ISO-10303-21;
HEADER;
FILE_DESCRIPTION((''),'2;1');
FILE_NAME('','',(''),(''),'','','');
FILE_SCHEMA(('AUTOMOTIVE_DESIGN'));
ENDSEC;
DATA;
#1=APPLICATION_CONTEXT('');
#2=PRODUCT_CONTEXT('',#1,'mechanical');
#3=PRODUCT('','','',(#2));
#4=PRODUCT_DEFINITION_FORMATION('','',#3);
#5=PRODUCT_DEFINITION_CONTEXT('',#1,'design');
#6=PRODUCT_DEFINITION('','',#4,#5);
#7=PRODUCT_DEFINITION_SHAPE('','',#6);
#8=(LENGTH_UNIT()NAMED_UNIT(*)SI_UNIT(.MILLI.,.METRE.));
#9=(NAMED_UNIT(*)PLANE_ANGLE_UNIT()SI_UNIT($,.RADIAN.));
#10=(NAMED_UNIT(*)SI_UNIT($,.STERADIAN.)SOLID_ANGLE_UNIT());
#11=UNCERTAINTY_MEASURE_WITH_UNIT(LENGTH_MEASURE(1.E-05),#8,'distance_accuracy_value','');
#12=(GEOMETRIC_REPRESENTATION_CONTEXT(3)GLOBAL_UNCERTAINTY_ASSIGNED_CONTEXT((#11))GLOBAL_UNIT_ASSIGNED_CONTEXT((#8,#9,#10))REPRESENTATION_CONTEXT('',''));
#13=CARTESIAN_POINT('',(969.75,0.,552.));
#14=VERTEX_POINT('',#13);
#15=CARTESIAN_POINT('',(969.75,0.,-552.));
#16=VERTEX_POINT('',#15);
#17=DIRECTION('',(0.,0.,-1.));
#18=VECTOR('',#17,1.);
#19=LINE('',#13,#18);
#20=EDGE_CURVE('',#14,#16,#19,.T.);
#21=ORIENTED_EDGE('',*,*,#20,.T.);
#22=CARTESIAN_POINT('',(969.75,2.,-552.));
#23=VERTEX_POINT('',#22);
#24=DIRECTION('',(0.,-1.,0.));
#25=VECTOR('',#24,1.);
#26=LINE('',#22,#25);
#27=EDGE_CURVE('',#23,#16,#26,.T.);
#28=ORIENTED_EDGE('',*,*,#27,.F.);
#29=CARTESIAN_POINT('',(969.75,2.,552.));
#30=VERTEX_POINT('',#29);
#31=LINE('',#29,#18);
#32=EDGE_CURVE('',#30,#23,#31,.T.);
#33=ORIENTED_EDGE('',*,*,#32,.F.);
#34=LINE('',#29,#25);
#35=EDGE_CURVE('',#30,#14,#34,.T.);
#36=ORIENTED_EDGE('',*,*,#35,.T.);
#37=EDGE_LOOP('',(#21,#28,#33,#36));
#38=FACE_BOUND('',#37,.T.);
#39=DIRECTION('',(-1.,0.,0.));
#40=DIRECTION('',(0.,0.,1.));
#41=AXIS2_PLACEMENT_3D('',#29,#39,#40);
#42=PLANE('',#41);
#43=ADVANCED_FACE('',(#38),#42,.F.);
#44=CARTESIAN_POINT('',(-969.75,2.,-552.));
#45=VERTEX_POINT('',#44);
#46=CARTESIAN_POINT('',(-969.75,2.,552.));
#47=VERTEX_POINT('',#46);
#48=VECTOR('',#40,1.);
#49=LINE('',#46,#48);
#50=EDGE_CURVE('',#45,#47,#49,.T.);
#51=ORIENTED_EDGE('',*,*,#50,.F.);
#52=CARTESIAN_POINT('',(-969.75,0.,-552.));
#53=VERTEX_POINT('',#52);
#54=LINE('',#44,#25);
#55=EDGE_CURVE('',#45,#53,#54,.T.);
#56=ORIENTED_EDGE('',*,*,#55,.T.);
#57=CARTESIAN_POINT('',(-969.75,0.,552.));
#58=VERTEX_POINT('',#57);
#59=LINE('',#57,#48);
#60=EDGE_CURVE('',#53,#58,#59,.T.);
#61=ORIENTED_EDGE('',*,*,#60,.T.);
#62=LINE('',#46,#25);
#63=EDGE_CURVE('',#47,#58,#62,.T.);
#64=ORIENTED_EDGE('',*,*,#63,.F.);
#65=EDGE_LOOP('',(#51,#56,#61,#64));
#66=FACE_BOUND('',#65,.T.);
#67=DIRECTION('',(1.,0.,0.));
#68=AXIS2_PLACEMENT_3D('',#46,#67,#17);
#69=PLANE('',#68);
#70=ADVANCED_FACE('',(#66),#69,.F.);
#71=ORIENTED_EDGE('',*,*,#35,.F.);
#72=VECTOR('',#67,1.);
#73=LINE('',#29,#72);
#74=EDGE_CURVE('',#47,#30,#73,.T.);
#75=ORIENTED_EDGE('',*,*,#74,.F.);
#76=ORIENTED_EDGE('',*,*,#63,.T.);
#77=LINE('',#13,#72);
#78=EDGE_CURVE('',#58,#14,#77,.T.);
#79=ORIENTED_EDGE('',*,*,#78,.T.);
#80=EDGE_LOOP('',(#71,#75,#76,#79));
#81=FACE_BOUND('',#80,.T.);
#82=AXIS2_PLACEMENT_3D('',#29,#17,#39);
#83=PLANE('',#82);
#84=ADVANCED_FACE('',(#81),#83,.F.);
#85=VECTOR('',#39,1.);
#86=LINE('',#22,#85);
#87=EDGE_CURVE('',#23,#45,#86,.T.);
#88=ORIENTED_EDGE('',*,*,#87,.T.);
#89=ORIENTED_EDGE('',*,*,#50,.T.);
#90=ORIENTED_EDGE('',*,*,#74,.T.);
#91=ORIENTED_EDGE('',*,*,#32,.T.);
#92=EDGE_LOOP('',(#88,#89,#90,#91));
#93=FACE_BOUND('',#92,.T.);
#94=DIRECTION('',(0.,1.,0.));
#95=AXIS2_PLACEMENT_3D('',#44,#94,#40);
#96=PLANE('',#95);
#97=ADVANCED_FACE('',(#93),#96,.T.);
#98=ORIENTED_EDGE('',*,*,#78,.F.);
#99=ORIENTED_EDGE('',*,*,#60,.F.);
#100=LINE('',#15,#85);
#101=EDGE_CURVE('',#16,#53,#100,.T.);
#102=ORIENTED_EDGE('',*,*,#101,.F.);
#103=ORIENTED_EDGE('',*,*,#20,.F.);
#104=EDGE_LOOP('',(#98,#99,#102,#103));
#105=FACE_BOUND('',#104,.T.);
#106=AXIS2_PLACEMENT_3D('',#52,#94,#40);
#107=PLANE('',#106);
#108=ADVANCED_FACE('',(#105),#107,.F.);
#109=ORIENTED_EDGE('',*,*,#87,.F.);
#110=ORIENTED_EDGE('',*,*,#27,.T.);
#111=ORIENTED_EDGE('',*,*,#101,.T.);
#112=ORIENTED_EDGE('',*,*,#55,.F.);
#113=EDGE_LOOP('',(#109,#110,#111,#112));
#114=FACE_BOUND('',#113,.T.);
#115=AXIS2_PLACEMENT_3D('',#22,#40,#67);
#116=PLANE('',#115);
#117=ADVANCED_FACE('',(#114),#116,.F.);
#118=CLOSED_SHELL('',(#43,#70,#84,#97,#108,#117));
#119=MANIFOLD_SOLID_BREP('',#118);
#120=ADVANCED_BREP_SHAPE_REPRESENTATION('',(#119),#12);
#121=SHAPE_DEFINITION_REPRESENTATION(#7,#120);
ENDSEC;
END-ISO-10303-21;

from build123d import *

# Parameters (mm, degrees)
CROQUIS1_W     = 1939.5
CROQUIS1_H     = 1104
EXTRUIR1_DEPTH = 2


with BuildPart() as part:
    # Croquis1 → Extruir1 (new body)
    with BuildSketch(Plane(origin=(0, 0, 0), x_dir=(1, 0, 0), z_dir=(0, 1, 0))):
        Rectangle(CROQUIS1_W, CROQUIS1_H)
    extrude(amount=EXTRUIR1_DEPTH)


solid = part.part
